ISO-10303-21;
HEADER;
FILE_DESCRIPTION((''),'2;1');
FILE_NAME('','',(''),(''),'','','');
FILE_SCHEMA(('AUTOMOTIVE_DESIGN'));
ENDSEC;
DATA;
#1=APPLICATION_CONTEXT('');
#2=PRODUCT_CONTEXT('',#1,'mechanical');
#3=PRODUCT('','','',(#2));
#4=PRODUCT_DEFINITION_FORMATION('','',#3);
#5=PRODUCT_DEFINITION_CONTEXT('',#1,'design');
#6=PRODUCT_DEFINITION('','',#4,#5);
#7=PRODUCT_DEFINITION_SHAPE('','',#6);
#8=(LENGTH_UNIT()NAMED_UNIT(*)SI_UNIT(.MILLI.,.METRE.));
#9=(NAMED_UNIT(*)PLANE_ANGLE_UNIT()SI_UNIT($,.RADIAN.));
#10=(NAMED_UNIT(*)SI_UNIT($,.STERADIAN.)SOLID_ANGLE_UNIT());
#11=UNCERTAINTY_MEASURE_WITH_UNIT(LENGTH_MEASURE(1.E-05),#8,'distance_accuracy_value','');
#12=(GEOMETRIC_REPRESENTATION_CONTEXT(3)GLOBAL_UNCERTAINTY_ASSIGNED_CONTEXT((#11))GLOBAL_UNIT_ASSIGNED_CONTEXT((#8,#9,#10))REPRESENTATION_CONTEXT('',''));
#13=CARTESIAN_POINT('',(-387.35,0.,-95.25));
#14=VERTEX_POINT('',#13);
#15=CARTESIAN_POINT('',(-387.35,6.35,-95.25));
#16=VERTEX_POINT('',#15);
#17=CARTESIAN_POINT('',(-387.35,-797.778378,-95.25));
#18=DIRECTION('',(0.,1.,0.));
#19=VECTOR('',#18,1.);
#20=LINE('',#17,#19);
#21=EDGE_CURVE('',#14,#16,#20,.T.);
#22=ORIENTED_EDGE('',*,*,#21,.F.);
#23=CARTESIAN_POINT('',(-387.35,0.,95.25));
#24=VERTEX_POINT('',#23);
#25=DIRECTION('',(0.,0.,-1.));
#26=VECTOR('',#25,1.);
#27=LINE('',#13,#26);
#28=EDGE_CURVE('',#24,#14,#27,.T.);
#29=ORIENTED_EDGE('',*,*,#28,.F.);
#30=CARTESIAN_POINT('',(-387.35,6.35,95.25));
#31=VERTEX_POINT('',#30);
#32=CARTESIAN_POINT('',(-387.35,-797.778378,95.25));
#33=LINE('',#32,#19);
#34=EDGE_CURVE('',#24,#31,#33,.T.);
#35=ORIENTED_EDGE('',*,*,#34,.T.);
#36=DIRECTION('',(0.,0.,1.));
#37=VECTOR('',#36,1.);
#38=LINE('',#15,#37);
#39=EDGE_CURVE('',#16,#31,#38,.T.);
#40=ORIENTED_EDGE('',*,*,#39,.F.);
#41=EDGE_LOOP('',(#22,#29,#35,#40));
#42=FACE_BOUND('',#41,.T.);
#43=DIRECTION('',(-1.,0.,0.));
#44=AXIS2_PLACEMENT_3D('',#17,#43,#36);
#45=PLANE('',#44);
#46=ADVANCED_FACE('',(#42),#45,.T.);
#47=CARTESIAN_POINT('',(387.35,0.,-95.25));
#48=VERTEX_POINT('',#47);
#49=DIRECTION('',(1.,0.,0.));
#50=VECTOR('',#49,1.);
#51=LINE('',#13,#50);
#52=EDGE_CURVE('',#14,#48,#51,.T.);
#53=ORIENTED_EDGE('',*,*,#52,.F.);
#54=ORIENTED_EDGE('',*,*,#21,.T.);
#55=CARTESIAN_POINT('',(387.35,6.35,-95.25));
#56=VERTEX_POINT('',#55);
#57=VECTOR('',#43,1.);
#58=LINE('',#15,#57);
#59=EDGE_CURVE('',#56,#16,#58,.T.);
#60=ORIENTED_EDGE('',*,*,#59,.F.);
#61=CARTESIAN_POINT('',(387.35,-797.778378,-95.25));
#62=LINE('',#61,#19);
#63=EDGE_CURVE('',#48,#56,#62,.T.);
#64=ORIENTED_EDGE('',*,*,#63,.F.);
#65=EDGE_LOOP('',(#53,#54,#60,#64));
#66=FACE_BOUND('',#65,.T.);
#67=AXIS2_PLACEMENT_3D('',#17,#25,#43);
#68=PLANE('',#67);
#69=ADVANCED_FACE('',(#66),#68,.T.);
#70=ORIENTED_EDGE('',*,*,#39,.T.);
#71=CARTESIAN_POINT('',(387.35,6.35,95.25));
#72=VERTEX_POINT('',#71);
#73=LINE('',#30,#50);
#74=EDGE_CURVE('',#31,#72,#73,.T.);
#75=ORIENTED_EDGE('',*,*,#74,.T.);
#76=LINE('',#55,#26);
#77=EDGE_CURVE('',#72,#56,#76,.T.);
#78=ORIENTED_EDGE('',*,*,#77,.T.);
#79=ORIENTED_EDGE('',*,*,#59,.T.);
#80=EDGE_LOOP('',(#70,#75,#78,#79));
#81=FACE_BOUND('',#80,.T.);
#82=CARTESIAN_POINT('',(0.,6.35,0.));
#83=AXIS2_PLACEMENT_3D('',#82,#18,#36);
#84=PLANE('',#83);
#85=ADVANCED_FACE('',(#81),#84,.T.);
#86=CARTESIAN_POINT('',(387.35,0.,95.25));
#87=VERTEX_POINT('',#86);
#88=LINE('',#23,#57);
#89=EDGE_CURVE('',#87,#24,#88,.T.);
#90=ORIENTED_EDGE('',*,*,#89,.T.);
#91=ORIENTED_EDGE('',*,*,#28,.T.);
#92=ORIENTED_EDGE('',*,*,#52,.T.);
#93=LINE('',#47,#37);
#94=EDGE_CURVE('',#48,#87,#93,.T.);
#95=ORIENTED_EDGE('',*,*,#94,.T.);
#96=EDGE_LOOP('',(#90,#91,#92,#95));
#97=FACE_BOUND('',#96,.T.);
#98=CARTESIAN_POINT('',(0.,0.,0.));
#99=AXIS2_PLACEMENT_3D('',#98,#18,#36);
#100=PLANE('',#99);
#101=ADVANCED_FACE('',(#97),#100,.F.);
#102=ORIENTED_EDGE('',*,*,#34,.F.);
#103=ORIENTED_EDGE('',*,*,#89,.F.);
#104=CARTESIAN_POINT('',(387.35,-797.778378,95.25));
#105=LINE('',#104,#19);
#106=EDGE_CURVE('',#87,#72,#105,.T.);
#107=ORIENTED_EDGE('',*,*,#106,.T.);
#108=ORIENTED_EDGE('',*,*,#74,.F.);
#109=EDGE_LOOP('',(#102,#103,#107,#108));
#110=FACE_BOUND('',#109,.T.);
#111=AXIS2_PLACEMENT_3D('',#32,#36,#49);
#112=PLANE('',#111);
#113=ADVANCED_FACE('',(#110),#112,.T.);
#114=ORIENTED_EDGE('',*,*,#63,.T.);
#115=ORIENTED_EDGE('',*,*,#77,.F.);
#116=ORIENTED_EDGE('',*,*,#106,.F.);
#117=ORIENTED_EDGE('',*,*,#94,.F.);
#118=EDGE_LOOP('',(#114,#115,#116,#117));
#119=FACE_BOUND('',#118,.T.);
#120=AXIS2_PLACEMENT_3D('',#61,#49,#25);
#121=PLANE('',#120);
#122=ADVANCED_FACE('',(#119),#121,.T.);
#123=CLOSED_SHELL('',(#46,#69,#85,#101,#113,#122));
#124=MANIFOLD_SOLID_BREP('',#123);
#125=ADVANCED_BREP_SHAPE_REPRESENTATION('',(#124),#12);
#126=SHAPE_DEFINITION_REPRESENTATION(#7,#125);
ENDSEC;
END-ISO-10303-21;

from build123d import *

# Parameters (mm, degrees)
SKETCH1_W           = 762
SKETCH1_H           = 177.8
BOSS_EXTRUDE1_DEPTH = 6.35
SKETCH5_W           = 774.7
SKETCH5_H           = 190.5
SKETCH5_W_2         = 762
SKETCH5_H_2         = 177.8
BOSS_EXTRUDE2_DEPTH = 6.35


with BuildPart() as part:
    # Sketch1 → Boss-Extrude1 (new body)
    with BuildSketch(Plane(origin=(0, 0, 0), x_dir=(1, 0, 0), z_dir=(0, 1, 0))):
        Rectangle(SKETCH1_W, SKETCH1_H)
    extrude(amount=BOSS_EXTRUDE1_DEPTH)

    # Sketch5 → Boss-Extrude2 (add)
    with BuildSketch(Plane(origin=(0, 6.35, 0), x_dir=(1, 0, 0), z_dir=(0, 1, 0))):
        Rectangle(SKETCH5_W, SKETCH5_H)
        Rectangle(SKETCH5_W_2, SKETCH5_H_2, mode=Mode.SUBTRACT)
    extrude(amount=-BOSS_EXTRUDE2_DEPTH)


solid = part.part
